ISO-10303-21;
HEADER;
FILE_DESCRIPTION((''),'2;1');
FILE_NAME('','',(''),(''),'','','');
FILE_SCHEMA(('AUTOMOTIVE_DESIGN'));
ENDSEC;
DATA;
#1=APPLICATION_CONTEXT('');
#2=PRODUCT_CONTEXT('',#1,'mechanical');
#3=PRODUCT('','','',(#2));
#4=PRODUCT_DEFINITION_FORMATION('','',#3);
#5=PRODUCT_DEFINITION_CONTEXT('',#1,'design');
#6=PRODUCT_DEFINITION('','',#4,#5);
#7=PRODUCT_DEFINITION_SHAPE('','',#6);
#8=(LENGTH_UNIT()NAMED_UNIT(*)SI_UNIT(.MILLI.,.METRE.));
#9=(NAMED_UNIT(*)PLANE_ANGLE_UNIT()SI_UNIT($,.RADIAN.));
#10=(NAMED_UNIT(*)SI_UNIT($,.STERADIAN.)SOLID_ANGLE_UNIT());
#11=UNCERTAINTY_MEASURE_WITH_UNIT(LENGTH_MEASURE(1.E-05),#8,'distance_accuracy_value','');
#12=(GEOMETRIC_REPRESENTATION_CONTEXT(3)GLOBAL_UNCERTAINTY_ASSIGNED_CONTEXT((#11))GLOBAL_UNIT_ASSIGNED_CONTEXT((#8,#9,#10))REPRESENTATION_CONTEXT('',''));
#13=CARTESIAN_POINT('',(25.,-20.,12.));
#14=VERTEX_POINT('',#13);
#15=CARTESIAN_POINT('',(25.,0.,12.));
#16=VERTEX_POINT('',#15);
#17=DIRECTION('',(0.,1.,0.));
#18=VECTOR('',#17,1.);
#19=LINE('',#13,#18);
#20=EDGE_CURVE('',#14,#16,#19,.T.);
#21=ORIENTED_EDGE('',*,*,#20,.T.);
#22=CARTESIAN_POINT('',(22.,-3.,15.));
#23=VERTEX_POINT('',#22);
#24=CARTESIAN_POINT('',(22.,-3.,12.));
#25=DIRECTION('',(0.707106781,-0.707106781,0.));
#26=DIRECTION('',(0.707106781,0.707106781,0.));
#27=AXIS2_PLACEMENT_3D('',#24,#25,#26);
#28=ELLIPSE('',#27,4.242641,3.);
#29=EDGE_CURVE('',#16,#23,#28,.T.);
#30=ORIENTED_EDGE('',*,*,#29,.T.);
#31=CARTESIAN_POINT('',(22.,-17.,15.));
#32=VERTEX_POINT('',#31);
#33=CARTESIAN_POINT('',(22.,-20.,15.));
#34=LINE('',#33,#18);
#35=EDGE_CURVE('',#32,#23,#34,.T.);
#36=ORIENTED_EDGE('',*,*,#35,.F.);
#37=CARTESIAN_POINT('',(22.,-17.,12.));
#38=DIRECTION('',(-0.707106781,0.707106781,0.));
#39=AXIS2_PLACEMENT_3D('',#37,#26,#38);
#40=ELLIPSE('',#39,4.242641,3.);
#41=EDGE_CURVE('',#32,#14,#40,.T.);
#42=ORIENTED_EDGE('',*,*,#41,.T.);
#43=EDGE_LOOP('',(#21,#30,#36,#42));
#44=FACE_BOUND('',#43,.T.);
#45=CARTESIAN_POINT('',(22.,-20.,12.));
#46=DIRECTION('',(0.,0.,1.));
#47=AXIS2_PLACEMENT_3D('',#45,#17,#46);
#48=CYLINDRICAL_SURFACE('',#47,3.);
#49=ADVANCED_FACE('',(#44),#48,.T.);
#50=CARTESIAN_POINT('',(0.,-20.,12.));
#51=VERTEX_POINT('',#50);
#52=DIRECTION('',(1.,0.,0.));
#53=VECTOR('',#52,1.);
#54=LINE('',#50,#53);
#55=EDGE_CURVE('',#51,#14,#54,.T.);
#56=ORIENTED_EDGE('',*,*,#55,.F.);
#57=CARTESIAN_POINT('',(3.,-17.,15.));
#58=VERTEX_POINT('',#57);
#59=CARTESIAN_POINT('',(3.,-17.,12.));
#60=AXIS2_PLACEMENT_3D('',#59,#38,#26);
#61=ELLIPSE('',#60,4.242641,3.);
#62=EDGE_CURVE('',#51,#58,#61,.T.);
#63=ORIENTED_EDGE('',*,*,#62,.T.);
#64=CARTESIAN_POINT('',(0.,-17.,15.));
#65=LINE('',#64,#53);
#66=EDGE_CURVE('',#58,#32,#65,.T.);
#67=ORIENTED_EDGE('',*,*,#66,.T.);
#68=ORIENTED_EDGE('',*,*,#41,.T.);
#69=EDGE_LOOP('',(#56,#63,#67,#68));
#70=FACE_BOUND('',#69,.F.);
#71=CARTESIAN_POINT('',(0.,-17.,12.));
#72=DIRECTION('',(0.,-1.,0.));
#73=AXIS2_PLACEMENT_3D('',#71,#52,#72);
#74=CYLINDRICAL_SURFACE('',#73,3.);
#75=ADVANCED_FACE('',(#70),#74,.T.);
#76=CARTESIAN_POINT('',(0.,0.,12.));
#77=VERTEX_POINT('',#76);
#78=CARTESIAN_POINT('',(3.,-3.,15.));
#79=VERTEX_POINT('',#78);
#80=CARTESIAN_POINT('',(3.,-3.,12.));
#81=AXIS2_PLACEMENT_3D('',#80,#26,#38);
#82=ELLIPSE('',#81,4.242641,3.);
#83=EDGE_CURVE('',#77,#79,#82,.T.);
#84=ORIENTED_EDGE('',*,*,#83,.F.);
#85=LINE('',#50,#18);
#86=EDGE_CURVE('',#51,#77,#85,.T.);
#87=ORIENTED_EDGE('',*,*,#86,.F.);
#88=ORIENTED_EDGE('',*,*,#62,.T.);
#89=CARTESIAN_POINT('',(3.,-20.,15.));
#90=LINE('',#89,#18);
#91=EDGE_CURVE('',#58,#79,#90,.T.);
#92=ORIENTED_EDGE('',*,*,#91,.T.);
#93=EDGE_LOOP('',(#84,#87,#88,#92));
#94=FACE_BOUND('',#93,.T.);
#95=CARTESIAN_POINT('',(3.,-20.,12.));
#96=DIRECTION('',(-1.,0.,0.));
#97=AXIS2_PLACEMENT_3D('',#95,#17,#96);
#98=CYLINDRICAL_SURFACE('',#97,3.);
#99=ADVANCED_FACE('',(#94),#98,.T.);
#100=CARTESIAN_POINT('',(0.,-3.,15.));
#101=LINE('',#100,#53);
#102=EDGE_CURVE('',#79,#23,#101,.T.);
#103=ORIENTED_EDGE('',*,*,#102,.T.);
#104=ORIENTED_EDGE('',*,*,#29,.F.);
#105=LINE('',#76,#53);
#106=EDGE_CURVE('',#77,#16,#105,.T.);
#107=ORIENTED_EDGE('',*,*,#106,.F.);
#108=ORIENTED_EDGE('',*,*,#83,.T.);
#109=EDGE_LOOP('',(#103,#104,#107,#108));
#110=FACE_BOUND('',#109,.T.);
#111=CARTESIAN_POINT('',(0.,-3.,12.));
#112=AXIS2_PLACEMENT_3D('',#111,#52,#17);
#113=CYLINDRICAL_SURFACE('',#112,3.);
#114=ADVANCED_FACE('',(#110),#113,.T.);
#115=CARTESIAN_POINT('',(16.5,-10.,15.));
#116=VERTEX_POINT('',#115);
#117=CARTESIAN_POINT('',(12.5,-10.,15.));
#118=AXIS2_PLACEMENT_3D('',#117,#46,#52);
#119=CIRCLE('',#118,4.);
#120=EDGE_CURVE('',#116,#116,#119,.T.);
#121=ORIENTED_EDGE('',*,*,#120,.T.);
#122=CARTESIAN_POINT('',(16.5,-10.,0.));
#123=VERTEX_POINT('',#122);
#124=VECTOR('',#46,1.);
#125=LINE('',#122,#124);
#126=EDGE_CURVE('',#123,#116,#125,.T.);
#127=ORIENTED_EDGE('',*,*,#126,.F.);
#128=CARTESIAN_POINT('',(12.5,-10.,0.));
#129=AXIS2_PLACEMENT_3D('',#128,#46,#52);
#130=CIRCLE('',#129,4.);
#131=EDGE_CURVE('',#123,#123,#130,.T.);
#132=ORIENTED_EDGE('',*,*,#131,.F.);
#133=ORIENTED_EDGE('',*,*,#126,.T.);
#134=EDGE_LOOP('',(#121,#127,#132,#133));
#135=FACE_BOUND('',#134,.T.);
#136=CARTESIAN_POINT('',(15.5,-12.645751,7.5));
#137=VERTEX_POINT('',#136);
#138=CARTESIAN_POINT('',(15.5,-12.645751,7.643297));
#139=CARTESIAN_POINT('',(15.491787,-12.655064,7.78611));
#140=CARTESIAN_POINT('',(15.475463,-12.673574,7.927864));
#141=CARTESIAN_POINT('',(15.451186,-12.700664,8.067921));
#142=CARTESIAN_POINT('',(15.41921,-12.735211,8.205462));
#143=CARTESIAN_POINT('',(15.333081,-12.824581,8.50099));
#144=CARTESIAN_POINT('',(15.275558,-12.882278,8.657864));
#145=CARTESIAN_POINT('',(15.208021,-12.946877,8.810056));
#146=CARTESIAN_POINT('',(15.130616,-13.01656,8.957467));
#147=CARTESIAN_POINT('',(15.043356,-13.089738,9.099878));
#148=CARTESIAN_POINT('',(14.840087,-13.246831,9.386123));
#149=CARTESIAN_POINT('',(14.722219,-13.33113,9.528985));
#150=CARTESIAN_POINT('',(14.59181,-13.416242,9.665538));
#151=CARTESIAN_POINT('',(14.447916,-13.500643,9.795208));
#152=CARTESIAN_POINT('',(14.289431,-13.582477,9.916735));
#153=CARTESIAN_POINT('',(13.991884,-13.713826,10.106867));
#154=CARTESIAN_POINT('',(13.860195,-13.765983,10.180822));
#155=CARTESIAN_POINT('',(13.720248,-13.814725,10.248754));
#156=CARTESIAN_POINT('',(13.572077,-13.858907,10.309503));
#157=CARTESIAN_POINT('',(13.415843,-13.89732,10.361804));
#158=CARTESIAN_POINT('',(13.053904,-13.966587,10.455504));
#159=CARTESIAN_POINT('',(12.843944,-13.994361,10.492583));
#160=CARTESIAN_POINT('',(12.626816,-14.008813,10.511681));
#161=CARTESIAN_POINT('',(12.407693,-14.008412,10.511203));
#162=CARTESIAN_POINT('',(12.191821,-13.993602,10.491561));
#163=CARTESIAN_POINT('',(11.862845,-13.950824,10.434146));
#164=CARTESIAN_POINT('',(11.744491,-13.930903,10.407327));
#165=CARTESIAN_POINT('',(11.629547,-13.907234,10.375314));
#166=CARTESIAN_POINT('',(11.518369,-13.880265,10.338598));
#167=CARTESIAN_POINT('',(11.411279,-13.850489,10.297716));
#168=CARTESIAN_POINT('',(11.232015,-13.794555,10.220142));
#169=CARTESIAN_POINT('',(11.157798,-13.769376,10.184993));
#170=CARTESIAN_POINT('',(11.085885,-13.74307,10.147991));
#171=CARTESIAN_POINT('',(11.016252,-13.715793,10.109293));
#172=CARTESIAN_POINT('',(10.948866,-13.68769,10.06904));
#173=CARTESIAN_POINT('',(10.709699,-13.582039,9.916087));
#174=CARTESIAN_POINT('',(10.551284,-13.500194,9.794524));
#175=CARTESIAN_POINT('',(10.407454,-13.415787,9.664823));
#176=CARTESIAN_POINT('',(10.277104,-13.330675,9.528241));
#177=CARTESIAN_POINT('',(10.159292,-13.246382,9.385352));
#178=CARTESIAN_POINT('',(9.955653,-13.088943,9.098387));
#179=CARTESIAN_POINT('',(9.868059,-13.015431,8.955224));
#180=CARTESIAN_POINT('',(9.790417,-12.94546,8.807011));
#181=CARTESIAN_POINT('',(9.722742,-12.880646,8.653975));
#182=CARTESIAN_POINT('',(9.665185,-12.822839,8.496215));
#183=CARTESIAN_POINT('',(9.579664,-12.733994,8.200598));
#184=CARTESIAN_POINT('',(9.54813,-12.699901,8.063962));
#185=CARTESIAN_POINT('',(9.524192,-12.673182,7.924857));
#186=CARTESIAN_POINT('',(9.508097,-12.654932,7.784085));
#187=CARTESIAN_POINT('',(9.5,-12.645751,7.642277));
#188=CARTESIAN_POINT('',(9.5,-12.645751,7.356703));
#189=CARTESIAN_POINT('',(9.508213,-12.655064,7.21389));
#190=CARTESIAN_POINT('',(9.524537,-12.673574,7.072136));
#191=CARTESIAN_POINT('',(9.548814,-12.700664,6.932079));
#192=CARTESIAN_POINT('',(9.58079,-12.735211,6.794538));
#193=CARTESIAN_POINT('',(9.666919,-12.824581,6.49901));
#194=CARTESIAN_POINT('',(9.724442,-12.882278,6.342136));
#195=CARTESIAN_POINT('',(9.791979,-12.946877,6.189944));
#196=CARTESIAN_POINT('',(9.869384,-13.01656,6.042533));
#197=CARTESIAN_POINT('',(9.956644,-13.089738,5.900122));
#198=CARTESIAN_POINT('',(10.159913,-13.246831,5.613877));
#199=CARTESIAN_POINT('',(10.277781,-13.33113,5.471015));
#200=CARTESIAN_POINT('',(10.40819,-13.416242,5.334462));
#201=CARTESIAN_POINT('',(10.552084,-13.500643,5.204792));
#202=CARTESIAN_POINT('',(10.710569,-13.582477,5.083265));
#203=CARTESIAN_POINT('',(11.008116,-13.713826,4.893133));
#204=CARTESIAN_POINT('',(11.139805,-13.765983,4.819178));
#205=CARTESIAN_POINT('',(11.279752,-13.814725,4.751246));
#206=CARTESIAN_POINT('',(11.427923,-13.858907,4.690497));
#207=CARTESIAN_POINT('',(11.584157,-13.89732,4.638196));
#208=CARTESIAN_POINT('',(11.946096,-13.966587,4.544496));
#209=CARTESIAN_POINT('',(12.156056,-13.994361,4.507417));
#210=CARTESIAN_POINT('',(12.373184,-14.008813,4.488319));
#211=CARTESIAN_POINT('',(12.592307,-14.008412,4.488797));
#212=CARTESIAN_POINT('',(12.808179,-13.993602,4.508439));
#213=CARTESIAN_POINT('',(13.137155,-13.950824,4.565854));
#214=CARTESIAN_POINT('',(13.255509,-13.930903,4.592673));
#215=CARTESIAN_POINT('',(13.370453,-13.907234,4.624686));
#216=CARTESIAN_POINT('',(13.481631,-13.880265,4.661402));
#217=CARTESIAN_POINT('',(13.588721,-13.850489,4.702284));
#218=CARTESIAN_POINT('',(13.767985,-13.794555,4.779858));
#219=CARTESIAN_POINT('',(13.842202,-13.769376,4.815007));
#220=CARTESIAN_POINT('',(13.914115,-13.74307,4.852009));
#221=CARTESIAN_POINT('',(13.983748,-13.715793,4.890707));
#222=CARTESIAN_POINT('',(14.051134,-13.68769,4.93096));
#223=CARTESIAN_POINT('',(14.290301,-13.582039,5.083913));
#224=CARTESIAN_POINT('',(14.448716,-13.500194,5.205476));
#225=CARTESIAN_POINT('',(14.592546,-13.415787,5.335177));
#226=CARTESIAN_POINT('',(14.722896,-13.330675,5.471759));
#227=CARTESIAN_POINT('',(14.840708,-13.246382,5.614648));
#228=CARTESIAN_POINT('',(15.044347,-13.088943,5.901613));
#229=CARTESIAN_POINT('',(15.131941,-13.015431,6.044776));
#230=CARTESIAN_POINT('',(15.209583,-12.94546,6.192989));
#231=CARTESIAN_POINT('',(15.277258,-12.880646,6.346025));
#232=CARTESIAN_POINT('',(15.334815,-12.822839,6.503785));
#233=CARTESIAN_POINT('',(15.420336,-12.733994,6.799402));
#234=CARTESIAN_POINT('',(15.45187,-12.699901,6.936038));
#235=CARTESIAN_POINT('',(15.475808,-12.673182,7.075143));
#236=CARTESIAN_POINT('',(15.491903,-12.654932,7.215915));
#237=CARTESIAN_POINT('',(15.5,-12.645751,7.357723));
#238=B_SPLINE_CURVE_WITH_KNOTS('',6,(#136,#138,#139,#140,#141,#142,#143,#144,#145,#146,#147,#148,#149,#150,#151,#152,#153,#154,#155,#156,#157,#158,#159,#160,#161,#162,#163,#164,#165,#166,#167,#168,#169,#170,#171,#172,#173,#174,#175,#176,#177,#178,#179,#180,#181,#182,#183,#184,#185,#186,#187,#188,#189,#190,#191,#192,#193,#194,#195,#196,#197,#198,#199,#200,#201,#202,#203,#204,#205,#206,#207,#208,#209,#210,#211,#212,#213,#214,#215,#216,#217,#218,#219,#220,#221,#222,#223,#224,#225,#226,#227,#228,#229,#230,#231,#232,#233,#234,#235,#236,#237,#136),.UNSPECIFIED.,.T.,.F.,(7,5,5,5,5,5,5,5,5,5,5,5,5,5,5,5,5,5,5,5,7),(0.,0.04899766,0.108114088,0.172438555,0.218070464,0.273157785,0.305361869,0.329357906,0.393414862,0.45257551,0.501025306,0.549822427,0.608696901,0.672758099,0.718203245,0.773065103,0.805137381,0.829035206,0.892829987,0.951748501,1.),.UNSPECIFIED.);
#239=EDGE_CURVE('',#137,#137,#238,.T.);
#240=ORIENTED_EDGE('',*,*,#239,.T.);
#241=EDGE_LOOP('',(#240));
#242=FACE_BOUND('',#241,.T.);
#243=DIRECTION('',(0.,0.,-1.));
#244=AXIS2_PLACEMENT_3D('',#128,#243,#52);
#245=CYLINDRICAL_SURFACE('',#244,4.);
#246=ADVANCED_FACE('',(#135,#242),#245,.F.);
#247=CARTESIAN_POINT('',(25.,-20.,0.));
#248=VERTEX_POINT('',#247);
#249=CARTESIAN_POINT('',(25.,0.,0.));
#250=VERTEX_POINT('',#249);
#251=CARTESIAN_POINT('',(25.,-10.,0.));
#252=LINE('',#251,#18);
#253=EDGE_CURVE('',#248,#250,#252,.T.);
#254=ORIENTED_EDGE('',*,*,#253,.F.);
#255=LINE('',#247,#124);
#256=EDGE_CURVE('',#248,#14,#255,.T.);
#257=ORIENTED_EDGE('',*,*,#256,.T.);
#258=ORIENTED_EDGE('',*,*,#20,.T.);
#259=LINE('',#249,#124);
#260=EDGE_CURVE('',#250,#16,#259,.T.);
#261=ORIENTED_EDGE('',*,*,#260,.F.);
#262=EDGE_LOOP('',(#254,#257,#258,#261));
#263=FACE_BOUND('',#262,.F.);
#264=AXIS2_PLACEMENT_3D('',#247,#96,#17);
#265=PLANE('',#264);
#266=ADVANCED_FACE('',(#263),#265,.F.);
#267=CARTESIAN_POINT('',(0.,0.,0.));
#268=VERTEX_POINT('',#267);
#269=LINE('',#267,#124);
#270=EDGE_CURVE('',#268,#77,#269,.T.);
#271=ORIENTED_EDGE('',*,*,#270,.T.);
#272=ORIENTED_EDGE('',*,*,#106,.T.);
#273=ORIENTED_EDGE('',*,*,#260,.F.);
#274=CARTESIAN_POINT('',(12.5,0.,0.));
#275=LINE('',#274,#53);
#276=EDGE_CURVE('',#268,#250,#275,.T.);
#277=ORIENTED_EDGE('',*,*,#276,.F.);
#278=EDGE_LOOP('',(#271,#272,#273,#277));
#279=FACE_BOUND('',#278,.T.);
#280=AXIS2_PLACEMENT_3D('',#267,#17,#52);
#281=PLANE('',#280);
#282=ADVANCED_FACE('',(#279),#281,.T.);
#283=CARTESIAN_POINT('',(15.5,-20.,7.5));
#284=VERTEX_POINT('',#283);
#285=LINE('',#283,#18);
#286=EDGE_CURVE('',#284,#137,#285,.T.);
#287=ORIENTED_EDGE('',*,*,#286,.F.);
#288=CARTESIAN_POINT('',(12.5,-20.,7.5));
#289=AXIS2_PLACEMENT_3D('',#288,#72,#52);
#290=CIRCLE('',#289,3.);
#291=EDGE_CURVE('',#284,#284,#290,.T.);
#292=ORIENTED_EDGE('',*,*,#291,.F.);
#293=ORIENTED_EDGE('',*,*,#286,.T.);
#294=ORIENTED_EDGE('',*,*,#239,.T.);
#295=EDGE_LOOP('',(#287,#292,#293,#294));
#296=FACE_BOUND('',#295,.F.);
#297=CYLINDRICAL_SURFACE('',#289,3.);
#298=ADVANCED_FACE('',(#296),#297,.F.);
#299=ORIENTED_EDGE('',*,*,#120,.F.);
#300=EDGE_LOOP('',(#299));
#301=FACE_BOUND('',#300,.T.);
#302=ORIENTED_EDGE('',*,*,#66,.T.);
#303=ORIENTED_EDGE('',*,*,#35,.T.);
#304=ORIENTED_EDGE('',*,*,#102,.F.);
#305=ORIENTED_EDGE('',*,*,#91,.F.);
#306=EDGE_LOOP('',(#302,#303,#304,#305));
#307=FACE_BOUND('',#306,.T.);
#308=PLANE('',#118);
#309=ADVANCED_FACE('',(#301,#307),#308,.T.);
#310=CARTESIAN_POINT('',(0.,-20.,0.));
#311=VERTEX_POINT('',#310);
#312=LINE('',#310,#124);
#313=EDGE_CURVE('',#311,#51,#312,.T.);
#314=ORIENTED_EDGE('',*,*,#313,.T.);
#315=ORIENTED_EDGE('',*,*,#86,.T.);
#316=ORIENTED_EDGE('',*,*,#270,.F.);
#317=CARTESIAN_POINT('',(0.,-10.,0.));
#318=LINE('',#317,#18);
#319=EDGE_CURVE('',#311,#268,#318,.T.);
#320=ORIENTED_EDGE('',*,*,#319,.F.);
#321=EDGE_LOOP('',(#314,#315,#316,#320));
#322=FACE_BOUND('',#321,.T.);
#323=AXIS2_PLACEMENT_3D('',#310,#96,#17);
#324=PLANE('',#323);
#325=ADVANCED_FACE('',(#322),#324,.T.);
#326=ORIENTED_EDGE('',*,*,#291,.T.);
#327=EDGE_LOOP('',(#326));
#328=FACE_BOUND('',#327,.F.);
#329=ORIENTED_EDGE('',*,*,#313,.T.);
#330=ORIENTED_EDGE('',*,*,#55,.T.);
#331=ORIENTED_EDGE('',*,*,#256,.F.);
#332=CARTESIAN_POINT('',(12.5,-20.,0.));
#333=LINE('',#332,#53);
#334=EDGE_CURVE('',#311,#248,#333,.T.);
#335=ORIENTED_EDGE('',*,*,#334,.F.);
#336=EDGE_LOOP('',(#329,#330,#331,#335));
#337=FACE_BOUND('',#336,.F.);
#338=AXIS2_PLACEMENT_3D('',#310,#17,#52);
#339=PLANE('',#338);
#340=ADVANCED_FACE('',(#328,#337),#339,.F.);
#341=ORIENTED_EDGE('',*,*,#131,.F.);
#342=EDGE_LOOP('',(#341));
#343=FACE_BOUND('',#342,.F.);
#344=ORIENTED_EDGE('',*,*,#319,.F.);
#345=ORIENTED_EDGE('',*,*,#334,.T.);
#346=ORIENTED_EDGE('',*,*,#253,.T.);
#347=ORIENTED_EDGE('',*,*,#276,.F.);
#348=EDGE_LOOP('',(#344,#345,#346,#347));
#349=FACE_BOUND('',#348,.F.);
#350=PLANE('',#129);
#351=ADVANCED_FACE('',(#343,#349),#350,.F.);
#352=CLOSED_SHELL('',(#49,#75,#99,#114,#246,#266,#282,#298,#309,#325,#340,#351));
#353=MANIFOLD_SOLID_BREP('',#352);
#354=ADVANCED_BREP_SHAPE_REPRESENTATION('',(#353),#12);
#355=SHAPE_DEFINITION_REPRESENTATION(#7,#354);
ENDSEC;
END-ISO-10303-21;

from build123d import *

# Parameters (mm, degrees)
F0_W     = 25
F0_H     = 20
F0_R     = 4
F1_DEPTH = 15
F2_R     = 3
F3_DEPTH = 10
F4_R     = 3


with BuildPart() as f1:
    # F0 (on Top) → F1 (new body)
    with BuildSketch(Plane.XY):
        with Locations((12.5, -10)):
            Rectangle(F0_W, F0_H)
        with Locations((12.5, -10)):
            Circle(F0_R, mode=Mode.SUBTRACT)
    extrude(amount=F1_DEPTH)

    # F2 (on face) → F3 (cut)
    with BuildSketch(Plane.XZ.offset(20)):
        with Locations((12.5, 7.5)):
            Circle(F2_R)
    extrude(amount=-F3_DEPTH, mode=Mode.SUBTRACT)

    # F4
    f4_edges = [f1.edges().sort_by_distance(p)[0] for p in [
        (0, -10, 15),
        (12.5, 0, 15),
        (25, -10, 15),
        (12.5, -20, 15),
    ]]
    fillet(f4_edges, radius=F4_R)


solid = f1.part
